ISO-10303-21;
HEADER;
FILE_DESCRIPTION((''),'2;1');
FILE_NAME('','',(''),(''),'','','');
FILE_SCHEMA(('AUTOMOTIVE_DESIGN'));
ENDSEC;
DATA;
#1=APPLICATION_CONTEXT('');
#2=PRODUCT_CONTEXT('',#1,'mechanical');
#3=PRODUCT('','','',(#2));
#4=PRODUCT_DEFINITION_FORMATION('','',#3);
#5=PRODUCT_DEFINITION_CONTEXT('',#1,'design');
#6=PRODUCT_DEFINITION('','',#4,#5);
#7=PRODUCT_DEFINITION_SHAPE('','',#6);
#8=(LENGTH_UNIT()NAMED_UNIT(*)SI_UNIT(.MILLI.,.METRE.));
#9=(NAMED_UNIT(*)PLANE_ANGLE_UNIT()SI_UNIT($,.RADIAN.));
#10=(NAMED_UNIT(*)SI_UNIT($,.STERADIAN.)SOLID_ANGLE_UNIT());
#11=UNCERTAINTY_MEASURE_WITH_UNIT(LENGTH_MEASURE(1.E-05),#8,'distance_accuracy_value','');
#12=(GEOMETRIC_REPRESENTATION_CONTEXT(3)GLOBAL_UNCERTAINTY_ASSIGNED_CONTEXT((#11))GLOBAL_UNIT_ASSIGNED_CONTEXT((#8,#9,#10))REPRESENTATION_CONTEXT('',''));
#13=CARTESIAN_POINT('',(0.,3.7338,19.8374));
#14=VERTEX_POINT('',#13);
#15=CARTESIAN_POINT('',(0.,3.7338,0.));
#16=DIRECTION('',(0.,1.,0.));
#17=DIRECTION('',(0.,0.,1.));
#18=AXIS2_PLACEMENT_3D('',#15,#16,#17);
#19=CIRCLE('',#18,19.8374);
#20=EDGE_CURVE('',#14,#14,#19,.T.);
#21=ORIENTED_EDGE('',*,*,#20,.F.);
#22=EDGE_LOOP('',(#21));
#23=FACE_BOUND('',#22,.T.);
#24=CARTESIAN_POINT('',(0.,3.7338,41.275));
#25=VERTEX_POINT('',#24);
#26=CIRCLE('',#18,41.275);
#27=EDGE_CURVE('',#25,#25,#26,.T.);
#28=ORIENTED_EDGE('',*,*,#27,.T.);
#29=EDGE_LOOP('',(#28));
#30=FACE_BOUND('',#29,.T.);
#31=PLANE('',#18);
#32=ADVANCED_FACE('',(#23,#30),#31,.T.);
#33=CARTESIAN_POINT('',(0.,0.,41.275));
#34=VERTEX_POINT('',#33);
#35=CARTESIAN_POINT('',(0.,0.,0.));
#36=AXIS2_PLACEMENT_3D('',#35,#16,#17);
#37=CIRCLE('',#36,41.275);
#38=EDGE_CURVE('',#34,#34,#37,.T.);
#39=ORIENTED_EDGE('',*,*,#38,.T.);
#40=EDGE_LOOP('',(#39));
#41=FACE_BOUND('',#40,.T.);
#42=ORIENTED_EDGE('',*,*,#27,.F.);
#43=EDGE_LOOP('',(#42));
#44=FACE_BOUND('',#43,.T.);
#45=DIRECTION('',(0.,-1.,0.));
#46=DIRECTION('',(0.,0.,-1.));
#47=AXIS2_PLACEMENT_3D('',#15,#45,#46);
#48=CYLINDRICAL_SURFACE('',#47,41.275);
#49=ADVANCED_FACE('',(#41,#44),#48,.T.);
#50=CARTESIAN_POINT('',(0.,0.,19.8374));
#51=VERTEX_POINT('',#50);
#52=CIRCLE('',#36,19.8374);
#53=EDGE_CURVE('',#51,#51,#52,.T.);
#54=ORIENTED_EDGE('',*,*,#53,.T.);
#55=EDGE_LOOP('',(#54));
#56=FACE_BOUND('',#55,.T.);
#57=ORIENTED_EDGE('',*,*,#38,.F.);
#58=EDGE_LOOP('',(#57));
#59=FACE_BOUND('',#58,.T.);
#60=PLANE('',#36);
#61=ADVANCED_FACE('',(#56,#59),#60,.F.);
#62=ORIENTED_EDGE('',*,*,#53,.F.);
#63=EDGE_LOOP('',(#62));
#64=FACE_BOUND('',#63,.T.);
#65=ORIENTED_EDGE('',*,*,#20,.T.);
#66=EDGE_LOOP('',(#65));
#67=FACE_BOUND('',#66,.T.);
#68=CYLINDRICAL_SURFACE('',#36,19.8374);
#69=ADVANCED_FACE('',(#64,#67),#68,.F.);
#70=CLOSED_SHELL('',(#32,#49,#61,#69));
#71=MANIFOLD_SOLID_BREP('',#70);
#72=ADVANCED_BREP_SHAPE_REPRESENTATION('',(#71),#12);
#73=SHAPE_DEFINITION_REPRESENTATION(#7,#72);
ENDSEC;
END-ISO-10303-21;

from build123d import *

# Parameters (mm, degrees)
SKETCH1_R           = 41.275
BOSS_EXTRUDE1_DEPTH = 3.7338
SKETCH5_R           = 19.8374
CUT_EXTRUDE1_DEPTH  = 4.7338


with BuildPart() as part:
    # Sketch1 → Boss-Extrude1 (new body)
    with BuildSketch(Plane(origin=(0, 0, 0), x_dir=(1, 0, 0), z_dir=(0, 1, 0))):
        Circle(SKETCH1_R)
    extrude(amount=BOSS_EXTRUDE1_DEPTH)

    # Sketch5 → Cut-Extrude1 (cut, through all)
    with BuildSketch(Plane(origin=(0, 3.7338, 0), x_dir=(-1, 0, 0), z_dir=(0, 1, 0))):
        Circle(SKETCH5_R)
    extrude(amount=-CUT_EXTRUDE1_DEPTH, mode=Mode.SUBTRACT)


solid = part.part
